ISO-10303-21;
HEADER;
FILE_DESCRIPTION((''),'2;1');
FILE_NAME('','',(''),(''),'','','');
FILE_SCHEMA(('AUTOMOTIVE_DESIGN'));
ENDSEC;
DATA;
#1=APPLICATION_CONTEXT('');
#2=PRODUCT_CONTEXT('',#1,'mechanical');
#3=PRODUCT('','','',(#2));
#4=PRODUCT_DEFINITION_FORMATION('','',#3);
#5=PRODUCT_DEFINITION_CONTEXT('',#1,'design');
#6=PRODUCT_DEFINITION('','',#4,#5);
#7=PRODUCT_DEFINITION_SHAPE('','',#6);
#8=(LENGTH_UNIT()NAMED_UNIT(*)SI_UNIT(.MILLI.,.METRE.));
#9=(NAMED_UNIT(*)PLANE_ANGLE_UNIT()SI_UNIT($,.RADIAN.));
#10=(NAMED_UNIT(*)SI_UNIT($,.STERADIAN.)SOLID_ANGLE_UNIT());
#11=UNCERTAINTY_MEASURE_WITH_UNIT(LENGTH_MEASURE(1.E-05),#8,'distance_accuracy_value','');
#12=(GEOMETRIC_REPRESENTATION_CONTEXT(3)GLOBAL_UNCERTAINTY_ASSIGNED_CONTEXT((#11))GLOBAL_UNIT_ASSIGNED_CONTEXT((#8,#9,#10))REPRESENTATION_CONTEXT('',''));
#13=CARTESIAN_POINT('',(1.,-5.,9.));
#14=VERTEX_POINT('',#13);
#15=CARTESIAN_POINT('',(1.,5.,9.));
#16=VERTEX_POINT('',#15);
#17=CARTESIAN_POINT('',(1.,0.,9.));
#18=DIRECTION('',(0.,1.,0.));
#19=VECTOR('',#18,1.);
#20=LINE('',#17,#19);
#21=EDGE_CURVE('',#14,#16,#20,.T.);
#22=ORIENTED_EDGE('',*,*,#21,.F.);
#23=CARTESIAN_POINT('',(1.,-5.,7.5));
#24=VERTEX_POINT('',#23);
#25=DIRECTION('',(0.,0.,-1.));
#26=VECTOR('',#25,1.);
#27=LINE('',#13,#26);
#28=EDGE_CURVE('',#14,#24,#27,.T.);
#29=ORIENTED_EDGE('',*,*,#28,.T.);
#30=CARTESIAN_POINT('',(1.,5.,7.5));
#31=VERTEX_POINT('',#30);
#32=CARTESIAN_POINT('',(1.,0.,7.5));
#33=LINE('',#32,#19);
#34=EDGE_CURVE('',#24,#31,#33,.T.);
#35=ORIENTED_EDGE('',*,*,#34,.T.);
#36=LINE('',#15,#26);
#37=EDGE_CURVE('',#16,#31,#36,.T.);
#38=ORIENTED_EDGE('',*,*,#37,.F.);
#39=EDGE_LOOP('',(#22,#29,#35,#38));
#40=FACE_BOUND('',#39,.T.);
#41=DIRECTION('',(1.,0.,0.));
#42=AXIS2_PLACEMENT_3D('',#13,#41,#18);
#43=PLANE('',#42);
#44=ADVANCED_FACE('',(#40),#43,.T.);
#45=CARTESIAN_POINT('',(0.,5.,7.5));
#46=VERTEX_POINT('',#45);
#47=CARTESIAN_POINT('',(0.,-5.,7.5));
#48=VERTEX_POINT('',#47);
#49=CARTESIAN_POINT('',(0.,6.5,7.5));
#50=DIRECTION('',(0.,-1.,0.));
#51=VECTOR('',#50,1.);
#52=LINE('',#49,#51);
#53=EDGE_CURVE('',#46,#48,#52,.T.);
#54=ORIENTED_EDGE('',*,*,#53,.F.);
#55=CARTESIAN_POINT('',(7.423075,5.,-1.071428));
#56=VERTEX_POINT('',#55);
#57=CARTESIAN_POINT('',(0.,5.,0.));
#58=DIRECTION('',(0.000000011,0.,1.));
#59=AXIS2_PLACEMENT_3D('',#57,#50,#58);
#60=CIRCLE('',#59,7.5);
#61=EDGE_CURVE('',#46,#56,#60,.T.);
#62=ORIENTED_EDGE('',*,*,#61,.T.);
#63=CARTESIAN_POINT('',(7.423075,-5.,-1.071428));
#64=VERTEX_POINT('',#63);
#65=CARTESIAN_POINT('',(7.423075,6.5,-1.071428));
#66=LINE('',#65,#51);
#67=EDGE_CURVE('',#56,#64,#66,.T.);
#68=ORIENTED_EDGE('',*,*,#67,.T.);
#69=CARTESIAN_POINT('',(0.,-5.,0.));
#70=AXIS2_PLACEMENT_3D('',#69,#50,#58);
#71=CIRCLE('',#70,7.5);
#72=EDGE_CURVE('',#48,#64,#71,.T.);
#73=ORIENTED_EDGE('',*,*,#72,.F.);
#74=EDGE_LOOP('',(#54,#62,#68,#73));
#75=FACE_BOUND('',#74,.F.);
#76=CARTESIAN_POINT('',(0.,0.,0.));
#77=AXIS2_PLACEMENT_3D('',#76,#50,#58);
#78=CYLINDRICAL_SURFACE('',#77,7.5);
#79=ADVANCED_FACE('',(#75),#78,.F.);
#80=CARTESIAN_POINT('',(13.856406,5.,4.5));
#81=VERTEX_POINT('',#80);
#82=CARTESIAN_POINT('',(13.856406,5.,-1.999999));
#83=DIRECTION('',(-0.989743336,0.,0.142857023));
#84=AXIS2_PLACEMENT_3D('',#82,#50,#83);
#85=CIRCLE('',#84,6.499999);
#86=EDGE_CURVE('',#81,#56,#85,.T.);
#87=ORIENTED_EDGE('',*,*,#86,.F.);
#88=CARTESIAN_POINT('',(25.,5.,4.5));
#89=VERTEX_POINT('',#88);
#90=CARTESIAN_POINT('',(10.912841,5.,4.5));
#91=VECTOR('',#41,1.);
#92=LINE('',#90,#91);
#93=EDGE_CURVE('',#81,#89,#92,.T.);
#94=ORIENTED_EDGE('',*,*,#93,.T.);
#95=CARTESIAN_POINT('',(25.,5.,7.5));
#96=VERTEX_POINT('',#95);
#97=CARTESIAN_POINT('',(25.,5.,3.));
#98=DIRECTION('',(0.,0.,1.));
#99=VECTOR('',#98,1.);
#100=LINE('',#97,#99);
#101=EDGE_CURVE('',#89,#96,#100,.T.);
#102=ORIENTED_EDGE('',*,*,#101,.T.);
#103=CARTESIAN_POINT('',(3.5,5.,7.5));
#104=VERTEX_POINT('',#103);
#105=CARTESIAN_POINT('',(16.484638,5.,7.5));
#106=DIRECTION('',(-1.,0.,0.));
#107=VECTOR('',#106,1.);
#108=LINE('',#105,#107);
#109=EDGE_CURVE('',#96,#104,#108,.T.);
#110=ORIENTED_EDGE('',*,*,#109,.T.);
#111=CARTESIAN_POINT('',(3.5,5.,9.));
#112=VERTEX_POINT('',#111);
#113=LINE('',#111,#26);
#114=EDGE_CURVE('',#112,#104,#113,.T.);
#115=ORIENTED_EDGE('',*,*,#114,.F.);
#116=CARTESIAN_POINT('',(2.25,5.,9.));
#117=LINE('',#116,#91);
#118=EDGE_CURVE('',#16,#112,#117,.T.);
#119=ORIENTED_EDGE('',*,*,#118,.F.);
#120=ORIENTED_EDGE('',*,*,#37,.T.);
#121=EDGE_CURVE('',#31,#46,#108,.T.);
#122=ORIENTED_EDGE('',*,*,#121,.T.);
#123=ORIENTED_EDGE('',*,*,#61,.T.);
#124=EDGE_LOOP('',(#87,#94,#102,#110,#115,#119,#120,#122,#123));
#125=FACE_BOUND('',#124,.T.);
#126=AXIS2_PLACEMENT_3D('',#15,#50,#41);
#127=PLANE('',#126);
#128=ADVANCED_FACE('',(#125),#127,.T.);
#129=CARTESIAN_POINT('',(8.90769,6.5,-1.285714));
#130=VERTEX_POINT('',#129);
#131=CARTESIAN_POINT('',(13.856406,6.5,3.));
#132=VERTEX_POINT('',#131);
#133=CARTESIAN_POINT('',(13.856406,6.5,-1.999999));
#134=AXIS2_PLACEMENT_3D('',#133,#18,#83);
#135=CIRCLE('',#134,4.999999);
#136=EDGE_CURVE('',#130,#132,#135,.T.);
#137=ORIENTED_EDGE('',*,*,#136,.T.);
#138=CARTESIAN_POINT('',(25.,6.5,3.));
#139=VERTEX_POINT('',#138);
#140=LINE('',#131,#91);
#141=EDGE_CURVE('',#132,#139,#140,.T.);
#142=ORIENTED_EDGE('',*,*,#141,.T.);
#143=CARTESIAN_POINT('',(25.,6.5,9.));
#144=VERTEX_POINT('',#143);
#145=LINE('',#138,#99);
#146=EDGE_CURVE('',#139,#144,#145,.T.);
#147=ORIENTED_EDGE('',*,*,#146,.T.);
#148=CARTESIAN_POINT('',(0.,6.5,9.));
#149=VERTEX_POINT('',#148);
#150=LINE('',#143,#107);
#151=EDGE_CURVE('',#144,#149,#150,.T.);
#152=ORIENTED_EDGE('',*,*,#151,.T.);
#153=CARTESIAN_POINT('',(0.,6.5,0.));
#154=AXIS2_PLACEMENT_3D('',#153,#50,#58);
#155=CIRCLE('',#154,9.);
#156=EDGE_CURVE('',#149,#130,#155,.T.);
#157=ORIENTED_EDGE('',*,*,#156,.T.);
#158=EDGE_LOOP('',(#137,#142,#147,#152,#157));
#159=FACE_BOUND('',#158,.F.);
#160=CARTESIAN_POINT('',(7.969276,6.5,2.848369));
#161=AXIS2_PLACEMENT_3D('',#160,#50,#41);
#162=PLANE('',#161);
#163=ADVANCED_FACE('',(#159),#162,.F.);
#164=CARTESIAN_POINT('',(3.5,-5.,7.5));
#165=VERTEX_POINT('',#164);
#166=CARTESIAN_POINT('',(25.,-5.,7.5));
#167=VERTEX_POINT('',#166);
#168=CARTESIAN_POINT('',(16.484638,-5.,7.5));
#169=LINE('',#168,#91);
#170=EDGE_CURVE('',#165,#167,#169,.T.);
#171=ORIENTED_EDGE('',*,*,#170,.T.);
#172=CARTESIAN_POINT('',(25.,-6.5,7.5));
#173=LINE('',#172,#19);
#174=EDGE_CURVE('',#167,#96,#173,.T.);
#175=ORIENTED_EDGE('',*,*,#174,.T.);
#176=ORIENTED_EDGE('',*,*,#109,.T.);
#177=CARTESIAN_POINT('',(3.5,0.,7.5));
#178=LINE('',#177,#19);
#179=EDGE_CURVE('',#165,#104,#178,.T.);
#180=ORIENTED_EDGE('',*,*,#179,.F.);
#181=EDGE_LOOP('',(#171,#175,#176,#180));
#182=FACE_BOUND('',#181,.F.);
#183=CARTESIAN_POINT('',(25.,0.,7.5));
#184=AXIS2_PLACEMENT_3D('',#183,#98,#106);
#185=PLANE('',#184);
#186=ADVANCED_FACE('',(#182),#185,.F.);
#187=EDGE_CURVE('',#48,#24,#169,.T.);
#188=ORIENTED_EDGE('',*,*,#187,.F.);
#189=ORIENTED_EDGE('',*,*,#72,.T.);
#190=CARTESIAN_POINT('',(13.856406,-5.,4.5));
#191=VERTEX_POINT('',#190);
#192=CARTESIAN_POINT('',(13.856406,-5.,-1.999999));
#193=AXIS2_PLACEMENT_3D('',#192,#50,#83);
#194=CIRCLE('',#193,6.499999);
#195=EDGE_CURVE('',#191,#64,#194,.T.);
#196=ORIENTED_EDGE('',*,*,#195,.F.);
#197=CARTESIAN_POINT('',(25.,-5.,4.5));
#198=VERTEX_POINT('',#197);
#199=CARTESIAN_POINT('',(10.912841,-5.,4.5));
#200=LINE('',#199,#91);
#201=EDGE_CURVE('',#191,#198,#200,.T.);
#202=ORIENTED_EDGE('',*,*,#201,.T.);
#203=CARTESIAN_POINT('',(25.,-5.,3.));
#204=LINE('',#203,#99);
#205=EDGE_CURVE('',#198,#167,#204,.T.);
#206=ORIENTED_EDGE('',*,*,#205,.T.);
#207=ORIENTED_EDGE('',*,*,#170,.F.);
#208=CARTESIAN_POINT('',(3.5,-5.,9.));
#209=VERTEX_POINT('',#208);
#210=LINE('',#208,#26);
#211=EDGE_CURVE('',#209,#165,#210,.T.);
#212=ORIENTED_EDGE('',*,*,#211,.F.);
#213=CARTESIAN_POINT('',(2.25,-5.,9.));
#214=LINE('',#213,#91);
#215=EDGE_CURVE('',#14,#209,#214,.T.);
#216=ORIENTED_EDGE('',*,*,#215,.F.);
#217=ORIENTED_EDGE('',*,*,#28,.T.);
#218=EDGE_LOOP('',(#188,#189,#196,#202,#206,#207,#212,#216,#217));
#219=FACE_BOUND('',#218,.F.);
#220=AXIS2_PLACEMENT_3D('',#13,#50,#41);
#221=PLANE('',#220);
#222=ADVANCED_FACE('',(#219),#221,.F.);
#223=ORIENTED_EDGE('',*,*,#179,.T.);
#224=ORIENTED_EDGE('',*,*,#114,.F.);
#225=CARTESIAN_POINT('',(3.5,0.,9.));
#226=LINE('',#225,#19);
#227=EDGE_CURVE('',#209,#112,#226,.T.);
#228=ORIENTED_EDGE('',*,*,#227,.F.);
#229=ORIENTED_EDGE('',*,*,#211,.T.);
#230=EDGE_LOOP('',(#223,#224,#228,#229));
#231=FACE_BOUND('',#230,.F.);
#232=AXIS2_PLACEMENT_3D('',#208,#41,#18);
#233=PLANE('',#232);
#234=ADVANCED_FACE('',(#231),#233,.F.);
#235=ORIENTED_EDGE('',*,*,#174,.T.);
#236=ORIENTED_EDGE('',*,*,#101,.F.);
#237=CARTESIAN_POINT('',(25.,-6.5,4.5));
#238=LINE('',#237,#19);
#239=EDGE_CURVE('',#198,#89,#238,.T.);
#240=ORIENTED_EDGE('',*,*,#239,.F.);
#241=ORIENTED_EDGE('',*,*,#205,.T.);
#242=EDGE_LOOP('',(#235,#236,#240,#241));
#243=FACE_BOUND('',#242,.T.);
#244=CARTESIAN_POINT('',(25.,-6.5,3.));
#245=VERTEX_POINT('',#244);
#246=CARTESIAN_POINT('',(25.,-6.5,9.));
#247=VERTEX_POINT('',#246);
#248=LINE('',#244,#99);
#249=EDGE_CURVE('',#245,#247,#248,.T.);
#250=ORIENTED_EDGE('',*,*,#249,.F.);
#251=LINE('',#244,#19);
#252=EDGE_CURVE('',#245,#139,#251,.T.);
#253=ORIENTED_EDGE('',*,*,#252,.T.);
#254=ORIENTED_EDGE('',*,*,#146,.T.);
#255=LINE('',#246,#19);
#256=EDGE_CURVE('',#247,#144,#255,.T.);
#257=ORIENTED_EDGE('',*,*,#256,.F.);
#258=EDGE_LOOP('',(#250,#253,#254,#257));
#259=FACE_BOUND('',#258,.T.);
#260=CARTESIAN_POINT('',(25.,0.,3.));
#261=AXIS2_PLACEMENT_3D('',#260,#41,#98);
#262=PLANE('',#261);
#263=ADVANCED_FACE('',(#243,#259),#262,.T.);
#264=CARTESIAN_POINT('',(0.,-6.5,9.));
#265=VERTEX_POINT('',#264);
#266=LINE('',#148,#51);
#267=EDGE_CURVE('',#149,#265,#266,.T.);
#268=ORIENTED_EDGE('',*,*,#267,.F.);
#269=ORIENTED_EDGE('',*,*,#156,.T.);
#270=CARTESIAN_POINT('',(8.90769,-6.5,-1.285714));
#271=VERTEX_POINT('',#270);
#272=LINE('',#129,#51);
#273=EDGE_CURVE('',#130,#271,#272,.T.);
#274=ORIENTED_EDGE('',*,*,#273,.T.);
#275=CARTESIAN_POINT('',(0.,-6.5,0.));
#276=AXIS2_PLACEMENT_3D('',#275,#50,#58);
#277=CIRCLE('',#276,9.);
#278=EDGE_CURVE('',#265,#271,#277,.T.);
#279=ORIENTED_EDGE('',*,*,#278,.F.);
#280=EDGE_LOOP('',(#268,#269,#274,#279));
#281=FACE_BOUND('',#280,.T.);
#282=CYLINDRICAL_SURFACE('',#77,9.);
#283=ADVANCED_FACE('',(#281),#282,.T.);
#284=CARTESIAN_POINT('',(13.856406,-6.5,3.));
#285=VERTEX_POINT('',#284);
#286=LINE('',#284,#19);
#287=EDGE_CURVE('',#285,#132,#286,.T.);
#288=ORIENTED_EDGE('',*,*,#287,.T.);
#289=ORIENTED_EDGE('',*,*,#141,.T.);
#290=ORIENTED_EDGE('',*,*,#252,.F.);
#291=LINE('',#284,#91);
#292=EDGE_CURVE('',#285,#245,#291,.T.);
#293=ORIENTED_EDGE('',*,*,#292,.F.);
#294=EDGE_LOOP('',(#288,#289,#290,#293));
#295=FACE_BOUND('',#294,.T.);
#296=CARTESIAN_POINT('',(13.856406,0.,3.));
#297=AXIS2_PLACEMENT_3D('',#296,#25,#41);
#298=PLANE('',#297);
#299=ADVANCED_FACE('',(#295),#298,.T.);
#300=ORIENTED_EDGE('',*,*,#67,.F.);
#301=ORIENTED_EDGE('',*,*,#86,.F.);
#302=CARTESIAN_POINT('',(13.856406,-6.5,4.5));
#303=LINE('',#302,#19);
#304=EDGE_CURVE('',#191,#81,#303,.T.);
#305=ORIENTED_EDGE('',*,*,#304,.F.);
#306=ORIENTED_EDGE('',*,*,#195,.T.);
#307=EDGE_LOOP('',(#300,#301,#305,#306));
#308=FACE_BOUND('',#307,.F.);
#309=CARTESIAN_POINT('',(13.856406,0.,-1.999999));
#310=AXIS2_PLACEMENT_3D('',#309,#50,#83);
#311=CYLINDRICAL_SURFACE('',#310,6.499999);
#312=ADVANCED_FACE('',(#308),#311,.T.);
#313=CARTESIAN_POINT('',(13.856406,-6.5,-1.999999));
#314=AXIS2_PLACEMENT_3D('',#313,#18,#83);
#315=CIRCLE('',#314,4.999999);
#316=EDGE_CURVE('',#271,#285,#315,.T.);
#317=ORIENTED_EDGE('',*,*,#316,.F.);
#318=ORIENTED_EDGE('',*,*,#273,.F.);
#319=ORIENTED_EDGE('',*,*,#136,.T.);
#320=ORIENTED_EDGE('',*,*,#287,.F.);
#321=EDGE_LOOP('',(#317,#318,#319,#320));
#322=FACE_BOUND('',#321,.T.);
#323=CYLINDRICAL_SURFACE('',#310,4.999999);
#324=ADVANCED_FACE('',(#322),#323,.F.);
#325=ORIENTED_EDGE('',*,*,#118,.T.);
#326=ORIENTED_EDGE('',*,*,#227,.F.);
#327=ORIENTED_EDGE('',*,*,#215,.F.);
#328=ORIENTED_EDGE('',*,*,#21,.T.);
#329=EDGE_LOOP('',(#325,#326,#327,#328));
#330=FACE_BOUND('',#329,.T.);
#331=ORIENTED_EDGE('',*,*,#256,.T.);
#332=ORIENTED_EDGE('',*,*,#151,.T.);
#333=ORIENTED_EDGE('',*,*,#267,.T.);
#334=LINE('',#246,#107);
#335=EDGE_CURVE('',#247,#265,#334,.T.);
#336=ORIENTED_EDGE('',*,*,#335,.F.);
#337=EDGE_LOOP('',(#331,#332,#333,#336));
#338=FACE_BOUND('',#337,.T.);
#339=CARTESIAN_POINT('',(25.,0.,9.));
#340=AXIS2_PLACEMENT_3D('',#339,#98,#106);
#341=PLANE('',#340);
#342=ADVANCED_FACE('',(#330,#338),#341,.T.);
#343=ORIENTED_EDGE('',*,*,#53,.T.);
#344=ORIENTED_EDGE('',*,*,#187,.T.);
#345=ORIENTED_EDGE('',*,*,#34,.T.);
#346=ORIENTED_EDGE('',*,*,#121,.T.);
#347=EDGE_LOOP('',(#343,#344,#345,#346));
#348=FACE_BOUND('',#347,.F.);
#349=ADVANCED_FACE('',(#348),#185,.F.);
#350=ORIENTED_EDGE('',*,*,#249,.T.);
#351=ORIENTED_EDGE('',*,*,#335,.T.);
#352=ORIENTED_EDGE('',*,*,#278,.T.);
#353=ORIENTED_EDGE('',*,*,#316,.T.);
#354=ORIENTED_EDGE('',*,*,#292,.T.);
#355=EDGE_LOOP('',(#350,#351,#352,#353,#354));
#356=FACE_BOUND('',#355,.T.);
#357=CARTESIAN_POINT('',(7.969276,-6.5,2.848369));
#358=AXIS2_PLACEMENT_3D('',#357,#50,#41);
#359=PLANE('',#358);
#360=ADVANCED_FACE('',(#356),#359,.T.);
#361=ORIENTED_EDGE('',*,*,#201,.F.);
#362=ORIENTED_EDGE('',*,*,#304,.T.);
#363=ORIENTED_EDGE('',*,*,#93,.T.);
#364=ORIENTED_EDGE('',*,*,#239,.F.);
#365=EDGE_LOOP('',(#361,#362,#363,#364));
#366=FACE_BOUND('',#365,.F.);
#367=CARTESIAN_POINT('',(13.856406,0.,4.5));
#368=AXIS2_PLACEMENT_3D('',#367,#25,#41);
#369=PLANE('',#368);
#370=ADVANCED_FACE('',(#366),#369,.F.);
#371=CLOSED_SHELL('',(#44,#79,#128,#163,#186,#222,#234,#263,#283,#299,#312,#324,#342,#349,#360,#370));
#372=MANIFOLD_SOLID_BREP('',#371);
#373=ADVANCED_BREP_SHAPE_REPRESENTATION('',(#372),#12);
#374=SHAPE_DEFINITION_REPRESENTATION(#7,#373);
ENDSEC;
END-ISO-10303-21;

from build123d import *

# Parameters (mm, degrees)
F1_DEPTH = 6.5
F2_T     = -1.5
F3_W     = 2.5
F3_H     = 10
F4_DEPTH = 1.5


with BuildPart() as f1:
    # F0 (on Front) → F1 (new body, symmetric)
    with BuildSketch(Plane.XZ):
        with BuildLine():
            Line((25, 9), (0, 9))
            ThreePointArc((0, 9), (-6.803361, -5.891883), (8.90769, -1.285714))
            ThreePointArc((8.90769, -1.285714), (10.583138, 1.779645), (13.856406, 3))
            Line((13.856406, 3), (25, 3))
            Line((25, 3), (25, 9))
        make_face()
    extrude(amount=F1_DEPTH, both=True)

    # F2
    f2_openings = [f1.faces().sort_by_distance(p)[0] for p in [
        (25, 0, 6),
    ]]
    offset(amount=F2_T, openings=f2_openings)

    # F3 (on face) → F4 (cut)
    with BuildSketch(Plane.XY.offset(9)):
        with Locations((2.25, 0)):
            Rectangle(F3_W, F3_H)
    extrude(amount=-F4_DEPTH, mode=Mode.SUBTRACT)


solid = f1.part
